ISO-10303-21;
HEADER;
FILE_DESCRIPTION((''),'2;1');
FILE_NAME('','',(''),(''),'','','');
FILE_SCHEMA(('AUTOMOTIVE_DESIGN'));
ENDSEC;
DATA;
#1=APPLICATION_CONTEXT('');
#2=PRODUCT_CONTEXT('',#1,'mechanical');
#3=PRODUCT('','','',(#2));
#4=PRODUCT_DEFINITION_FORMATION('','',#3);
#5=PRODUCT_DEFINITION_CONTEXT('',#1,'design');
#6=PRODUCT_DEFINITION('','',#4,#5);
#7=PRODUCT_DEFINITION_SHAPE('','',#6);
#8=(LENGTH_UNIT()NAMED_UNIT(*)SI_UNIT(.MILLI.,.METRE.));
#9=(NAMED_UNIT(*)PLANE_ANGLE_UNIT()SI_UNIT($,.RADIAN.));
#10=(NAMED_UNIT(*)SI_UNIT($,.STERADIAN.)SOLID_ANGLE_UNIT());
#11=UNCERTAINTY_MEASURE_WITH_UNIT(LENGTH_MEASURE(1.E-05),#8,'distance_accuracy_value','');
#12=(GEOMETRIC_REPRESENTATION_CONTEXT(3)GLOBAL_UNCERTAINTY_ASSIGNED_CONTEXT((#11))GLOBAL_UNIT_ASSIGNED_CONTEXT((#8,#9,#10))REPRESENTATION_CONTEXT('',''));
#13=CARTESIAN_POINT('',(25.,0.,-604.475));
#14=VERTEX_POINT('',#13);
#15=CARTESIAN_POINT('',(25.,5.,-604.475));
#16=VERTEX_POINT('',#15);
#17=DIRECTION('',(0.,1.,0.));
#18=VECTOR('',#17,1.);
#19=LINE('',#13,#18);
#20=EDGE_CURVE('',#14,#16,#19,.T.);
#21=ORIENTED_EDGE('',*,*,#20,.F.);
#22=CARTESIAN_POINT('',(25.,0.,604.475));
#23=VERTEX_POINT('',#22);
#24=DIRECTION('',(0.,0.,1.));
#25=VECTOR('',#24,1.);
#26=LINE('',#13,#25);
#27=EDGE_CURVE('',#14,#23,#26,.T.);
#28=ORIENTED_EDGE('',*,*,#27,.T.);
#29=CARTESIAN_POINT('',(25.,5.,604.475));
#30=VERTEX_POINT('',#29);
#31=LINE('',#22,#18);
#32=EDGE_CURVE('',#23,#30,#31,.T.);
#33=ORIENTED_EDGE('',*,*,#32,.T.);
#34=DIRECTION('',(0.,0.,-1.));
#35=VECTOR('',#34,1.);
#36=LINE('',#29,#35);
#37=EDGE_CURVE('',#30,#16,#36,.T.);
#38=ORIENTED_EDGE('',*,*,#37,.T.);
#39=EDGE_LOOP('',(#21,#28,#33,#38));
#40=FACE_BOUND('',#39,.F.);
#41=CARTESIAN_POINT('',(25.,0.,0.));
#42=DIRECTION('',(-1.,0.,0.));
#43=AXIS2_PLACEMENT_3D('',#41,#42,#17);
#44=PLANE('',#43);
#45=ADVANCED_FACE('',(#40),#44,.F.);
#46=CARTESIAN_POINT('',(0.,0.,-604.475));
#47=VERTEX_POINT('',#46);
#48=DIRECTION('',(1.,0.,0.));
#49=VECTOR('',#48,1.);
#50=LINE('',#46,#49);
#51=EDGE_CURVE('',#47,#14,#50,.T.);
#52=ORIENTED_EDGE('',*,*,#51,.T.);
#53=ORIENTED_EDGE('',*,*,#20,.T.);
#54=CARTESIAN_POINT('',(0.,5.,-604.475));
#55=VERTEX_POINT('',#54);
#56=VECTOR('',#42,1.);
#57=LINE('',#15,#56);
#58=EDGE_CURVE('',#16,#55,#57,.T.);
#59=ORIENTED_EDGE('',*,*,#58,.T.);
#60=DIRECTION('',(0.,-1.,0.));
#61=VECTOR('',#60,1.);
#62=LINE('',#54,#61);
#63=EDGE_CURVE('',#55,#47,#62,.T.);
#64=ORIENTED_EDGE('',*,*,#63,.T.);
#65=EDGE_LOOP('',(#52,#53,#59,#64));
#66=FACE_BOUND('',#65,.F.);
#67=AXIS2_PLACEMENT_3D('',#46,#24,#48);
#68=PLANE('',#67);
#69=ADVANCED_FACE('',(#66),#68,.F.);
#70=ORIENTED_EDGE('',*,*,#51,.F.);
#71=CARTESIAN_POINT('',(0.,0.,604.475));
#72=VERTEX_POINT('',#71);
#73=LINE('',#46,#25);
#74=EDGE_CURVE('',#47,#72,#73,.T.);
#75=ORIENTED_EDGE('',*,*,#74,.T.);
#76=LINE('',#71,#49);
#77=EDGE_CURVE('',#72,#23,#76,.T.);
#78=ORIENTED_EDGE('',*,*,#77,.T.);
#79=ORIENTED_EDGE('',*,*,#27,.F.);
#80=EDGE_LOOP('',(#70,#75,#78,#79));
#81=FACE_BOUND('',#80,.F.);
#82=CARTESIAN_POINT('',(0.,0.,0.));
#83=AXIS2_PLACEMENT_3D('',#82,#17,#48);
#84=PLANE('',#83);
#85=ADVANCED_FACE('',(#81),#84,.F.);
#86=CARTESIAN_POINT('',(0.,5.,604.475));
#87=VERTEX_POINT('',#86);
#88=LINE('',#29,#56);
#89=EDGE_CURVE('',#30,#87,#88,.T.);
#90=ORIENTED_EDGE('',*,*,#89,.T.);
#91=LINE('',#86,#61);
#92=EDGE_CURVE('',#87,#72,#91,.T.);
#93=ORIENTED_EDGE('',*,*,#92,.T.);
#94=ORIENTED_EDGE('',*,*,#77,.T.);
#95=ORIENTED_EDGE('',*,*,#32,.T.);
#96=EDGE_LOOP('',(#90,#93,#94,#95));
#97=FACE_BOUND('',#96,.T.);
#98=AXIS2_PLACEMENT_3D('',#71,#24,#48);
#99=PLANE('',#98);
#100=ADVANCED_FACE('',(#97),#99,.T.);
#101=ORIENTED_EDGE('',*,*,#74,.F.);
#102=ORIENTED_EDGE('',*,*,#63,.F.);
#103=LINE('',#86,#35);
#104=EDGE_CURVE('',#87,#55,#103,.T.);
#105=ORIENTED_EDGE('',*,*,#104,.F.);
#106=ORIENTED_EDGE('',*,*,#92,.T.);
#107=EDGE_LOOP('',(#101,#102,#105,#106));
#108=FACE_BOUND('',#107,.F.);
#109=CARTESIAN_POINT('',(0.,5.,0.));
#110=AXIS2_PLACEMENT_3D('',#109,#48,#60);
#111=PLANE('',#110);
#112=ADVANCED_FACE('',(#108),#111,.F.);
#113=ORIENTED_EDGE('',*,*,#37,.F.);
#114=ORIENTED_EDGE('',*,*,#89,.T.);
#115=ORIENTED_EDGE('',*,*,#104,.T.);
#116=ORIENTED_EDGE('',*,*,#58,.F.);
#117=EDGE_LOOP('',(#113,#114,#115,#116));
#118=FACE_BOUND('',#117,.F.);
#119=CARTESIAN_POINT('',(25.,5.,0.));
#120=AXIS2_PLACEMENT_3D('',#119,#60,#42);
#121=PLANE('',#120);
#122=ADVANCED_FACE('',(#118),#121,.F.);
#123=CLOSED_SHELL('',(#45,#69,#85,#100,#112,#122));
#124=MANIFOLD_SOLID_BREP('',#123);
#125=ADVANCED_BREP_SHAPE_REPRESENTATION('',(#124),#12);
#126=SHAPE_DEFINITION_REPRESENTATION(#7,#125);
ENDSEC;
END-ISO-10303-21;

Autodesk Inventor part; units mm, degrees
ref_plane "YZ Plane" through (0, 0, 0) normal (1, 0, 0) x (0, 1, 0)
ref_plane "XZ Plane" through (0, 0, 0) normal (0, 1, 0) x (-1, 0, 0)
ref_plane "XY Plane" through (0, 0, 0) normal (0, 0, 1) x (1, 0, 0)
sketch "Sketch1" plane through (0, 0, 0) normal (0, 0, 1) x (1, 0, 0)
  line L0 (0, 0) -> (25, 0)
  line L1 (25, 0) -> (25, 5)
  line L2 (25, 5) -> (0, 5)
  line L3 (0, 5) -> (0, 0)
  dimension "d0" = 25
  dimension "d1" = 5
extrude "Extrusion1" add sketch "Sketch1" along normal mid plane 1208.95
properties part number "håndfang" material "S235JR"
